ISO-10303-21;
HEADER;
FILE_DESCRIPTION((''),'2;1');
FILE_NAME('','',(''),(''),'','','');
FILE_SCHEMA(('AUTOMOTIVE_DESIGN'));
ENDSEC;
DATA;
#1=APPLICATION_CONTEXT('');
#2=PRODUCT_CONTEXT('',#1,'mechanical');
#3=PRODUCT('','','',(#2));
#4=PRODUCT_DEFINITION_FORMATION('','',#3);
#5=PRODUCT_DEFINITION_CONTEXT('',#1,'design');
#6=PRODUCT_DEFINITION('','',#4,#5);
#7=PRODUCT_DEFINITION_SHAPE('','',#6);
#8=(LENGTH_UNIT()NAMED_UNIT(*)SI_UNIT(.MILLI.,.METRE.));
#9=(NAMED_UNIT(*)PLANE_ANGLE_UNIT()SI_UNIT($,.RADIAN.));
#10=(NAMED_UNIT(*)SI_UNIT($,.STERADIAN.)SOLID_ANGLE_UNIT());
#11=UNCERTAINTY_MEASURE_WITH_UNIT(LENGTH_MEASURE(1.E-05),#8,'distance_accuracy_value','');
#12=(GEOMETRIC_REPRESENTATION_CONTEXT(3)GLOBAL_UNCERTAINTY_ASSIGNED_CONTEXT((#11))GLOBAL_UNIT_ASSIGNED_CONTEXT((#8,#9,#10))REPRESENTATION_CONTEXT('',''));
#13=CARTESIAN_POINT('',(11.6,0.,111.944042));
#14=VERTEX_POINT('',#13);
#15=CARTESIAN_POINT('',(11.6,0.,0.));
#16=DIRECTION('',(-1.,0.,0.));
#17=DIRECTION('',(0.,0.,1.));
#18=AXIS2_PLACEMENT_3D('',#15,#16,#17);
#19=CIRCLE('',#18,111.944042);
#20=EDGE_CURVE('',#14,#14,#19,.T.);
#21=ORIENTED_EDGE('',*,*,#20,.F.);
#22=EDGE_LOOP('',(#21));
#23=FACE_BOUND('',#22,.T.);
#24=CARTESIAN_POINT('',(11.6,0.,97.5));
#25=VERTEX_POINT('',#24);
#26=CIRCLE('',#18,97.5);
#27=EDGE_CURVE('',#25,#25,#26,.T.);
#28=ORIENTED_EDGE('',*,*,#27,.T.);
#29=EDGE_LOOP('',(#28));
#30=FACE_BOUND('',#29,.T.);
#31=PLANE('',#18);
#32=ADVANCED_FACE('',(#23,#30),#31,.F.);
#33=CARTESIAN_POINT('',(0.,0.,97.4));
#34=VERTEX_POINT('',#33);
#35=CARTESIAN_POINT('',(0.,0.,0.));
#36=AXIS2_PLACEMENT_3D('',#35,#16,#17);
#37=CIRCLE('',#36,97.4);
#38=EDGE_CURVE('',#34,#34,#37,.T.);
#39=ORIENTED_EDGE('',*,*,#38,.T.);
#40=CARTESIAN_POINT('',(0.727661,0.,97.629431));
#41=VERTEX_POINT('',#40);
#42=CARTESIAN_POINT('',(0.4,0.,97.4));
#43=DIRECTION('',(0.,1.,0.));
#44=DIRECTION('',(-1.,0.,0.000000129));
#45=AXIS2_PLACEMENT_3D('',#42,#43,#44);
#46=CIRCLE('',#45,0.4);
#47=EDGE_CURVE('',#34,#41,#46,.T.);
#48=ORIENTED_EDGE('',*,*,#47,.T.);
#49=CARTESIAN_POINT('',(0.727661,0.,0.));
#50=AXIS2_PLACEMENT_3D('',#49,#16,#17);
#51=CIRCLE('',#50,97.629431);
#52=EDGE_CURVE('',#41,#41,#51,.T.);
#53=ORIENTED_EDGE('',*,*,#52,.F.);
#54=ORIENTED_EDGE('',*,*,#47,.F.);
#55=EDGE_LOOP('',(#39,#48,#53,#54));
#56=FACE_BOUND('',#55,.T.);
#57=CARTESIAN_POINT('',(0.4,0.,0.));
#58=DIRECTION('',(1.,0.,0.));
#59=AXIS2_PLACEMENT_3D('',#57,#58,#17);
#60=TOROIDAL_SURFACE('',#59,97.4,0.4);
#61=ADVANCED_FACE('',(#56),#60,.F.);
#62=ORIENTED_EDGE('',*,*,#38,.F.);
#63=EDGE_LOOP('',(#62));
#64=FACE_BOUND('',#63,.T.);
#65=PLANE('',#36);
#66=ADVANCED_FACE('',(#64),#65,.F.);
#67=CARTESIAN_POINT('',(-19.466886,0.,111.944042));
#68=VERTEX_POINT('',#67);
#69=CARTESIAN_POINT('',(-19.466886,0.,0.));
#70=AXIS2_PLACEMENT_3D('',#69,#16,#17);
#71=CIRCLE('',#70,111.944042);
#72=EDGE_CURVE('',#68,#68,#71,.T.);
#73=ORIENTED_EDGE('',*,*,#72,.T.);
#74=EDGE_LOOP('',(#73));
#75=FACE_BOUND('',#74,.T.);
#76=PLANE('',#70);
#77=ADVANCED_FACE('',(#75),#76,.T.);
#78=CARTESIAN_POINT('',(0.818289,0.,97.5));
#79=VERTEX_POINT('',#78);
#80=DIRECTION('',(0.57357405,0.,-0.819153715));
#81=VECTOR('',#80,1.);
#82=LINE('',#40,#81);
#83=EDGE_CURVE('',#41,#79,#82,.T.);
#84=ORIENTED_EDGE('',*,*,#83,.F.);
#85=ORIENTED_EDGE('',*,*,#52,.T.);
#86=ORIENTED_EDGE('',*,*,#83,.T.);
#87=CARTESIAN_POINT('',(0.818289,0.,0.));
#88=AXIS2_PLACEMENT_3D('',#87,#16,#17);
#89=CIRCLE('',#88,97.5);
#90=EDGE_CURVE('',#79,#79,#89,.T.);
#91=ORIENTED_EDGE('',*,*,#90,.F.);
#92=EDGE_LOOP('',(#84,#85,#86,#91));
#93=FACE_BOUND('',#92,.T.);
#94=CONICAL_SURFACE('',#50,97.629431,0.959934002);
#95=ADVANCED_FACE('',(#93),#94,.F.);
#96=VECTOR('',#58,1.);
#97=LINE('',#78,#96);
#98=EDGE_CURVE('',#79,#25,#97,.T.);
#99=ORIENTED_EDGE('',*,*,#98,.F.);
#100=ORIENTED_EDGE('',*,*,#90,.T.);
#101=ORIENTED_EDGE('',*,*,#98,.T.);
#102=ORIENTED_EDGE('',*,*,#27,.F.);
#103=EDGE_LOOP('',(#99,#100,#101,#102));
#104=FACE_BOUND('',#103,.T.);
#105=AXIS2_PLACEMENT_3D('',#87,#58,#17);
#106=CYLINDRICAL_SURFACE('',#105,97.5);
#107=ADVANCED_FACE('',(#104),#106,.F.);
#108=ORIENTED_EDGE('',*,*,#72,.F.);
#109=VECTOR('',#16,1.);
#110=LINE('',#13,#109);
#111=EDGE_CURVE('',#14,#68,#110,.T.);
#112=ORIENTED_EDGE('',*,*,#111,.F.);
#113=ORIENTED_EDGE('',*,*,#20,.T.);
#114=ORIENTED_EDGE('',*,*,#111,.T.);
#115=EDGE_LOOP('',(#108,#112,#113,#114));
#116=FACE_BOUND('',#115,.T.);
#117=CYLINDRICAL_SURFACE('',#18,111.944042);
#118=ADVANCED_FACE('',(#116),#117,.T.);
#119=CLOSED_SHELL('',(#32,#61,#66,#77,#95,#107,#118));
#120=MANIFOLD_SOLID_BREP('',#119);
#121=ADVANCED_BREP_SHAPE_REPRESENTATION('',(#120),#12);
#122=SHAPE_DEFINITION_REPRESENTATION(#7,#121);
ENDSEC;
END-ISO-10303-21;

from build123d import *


with BuildPart() as f1:
    # F0 (on Front) → F1 (revolve)
    with BuildSketch(Plane.XZ):
        with BuildLine():
            Line((-19.466886, 0), (0, 0))
            Line((0, 0), (0, 97.4))
            ThreePointArc((0, 97.4), (0.279718, 97.781487), (0.727661, 97.629431))
            Line((0.727661, 97.629431), (0.818289, 97.5))
            Line((0.818289, 97.5), (11.6, 97.5))
            Line((11.6, 97.5), (11.6, 111.944042))
            Line((11.6, 111.944042), (-19.466886, 111.944042))
            Line((-19.466886, 111.944042), (-19.466886, 0))
        make_face()
    revolve(axis=Axis((-9.733443, 0, 0), (-1, 0, 0)))


solid = f1.part
